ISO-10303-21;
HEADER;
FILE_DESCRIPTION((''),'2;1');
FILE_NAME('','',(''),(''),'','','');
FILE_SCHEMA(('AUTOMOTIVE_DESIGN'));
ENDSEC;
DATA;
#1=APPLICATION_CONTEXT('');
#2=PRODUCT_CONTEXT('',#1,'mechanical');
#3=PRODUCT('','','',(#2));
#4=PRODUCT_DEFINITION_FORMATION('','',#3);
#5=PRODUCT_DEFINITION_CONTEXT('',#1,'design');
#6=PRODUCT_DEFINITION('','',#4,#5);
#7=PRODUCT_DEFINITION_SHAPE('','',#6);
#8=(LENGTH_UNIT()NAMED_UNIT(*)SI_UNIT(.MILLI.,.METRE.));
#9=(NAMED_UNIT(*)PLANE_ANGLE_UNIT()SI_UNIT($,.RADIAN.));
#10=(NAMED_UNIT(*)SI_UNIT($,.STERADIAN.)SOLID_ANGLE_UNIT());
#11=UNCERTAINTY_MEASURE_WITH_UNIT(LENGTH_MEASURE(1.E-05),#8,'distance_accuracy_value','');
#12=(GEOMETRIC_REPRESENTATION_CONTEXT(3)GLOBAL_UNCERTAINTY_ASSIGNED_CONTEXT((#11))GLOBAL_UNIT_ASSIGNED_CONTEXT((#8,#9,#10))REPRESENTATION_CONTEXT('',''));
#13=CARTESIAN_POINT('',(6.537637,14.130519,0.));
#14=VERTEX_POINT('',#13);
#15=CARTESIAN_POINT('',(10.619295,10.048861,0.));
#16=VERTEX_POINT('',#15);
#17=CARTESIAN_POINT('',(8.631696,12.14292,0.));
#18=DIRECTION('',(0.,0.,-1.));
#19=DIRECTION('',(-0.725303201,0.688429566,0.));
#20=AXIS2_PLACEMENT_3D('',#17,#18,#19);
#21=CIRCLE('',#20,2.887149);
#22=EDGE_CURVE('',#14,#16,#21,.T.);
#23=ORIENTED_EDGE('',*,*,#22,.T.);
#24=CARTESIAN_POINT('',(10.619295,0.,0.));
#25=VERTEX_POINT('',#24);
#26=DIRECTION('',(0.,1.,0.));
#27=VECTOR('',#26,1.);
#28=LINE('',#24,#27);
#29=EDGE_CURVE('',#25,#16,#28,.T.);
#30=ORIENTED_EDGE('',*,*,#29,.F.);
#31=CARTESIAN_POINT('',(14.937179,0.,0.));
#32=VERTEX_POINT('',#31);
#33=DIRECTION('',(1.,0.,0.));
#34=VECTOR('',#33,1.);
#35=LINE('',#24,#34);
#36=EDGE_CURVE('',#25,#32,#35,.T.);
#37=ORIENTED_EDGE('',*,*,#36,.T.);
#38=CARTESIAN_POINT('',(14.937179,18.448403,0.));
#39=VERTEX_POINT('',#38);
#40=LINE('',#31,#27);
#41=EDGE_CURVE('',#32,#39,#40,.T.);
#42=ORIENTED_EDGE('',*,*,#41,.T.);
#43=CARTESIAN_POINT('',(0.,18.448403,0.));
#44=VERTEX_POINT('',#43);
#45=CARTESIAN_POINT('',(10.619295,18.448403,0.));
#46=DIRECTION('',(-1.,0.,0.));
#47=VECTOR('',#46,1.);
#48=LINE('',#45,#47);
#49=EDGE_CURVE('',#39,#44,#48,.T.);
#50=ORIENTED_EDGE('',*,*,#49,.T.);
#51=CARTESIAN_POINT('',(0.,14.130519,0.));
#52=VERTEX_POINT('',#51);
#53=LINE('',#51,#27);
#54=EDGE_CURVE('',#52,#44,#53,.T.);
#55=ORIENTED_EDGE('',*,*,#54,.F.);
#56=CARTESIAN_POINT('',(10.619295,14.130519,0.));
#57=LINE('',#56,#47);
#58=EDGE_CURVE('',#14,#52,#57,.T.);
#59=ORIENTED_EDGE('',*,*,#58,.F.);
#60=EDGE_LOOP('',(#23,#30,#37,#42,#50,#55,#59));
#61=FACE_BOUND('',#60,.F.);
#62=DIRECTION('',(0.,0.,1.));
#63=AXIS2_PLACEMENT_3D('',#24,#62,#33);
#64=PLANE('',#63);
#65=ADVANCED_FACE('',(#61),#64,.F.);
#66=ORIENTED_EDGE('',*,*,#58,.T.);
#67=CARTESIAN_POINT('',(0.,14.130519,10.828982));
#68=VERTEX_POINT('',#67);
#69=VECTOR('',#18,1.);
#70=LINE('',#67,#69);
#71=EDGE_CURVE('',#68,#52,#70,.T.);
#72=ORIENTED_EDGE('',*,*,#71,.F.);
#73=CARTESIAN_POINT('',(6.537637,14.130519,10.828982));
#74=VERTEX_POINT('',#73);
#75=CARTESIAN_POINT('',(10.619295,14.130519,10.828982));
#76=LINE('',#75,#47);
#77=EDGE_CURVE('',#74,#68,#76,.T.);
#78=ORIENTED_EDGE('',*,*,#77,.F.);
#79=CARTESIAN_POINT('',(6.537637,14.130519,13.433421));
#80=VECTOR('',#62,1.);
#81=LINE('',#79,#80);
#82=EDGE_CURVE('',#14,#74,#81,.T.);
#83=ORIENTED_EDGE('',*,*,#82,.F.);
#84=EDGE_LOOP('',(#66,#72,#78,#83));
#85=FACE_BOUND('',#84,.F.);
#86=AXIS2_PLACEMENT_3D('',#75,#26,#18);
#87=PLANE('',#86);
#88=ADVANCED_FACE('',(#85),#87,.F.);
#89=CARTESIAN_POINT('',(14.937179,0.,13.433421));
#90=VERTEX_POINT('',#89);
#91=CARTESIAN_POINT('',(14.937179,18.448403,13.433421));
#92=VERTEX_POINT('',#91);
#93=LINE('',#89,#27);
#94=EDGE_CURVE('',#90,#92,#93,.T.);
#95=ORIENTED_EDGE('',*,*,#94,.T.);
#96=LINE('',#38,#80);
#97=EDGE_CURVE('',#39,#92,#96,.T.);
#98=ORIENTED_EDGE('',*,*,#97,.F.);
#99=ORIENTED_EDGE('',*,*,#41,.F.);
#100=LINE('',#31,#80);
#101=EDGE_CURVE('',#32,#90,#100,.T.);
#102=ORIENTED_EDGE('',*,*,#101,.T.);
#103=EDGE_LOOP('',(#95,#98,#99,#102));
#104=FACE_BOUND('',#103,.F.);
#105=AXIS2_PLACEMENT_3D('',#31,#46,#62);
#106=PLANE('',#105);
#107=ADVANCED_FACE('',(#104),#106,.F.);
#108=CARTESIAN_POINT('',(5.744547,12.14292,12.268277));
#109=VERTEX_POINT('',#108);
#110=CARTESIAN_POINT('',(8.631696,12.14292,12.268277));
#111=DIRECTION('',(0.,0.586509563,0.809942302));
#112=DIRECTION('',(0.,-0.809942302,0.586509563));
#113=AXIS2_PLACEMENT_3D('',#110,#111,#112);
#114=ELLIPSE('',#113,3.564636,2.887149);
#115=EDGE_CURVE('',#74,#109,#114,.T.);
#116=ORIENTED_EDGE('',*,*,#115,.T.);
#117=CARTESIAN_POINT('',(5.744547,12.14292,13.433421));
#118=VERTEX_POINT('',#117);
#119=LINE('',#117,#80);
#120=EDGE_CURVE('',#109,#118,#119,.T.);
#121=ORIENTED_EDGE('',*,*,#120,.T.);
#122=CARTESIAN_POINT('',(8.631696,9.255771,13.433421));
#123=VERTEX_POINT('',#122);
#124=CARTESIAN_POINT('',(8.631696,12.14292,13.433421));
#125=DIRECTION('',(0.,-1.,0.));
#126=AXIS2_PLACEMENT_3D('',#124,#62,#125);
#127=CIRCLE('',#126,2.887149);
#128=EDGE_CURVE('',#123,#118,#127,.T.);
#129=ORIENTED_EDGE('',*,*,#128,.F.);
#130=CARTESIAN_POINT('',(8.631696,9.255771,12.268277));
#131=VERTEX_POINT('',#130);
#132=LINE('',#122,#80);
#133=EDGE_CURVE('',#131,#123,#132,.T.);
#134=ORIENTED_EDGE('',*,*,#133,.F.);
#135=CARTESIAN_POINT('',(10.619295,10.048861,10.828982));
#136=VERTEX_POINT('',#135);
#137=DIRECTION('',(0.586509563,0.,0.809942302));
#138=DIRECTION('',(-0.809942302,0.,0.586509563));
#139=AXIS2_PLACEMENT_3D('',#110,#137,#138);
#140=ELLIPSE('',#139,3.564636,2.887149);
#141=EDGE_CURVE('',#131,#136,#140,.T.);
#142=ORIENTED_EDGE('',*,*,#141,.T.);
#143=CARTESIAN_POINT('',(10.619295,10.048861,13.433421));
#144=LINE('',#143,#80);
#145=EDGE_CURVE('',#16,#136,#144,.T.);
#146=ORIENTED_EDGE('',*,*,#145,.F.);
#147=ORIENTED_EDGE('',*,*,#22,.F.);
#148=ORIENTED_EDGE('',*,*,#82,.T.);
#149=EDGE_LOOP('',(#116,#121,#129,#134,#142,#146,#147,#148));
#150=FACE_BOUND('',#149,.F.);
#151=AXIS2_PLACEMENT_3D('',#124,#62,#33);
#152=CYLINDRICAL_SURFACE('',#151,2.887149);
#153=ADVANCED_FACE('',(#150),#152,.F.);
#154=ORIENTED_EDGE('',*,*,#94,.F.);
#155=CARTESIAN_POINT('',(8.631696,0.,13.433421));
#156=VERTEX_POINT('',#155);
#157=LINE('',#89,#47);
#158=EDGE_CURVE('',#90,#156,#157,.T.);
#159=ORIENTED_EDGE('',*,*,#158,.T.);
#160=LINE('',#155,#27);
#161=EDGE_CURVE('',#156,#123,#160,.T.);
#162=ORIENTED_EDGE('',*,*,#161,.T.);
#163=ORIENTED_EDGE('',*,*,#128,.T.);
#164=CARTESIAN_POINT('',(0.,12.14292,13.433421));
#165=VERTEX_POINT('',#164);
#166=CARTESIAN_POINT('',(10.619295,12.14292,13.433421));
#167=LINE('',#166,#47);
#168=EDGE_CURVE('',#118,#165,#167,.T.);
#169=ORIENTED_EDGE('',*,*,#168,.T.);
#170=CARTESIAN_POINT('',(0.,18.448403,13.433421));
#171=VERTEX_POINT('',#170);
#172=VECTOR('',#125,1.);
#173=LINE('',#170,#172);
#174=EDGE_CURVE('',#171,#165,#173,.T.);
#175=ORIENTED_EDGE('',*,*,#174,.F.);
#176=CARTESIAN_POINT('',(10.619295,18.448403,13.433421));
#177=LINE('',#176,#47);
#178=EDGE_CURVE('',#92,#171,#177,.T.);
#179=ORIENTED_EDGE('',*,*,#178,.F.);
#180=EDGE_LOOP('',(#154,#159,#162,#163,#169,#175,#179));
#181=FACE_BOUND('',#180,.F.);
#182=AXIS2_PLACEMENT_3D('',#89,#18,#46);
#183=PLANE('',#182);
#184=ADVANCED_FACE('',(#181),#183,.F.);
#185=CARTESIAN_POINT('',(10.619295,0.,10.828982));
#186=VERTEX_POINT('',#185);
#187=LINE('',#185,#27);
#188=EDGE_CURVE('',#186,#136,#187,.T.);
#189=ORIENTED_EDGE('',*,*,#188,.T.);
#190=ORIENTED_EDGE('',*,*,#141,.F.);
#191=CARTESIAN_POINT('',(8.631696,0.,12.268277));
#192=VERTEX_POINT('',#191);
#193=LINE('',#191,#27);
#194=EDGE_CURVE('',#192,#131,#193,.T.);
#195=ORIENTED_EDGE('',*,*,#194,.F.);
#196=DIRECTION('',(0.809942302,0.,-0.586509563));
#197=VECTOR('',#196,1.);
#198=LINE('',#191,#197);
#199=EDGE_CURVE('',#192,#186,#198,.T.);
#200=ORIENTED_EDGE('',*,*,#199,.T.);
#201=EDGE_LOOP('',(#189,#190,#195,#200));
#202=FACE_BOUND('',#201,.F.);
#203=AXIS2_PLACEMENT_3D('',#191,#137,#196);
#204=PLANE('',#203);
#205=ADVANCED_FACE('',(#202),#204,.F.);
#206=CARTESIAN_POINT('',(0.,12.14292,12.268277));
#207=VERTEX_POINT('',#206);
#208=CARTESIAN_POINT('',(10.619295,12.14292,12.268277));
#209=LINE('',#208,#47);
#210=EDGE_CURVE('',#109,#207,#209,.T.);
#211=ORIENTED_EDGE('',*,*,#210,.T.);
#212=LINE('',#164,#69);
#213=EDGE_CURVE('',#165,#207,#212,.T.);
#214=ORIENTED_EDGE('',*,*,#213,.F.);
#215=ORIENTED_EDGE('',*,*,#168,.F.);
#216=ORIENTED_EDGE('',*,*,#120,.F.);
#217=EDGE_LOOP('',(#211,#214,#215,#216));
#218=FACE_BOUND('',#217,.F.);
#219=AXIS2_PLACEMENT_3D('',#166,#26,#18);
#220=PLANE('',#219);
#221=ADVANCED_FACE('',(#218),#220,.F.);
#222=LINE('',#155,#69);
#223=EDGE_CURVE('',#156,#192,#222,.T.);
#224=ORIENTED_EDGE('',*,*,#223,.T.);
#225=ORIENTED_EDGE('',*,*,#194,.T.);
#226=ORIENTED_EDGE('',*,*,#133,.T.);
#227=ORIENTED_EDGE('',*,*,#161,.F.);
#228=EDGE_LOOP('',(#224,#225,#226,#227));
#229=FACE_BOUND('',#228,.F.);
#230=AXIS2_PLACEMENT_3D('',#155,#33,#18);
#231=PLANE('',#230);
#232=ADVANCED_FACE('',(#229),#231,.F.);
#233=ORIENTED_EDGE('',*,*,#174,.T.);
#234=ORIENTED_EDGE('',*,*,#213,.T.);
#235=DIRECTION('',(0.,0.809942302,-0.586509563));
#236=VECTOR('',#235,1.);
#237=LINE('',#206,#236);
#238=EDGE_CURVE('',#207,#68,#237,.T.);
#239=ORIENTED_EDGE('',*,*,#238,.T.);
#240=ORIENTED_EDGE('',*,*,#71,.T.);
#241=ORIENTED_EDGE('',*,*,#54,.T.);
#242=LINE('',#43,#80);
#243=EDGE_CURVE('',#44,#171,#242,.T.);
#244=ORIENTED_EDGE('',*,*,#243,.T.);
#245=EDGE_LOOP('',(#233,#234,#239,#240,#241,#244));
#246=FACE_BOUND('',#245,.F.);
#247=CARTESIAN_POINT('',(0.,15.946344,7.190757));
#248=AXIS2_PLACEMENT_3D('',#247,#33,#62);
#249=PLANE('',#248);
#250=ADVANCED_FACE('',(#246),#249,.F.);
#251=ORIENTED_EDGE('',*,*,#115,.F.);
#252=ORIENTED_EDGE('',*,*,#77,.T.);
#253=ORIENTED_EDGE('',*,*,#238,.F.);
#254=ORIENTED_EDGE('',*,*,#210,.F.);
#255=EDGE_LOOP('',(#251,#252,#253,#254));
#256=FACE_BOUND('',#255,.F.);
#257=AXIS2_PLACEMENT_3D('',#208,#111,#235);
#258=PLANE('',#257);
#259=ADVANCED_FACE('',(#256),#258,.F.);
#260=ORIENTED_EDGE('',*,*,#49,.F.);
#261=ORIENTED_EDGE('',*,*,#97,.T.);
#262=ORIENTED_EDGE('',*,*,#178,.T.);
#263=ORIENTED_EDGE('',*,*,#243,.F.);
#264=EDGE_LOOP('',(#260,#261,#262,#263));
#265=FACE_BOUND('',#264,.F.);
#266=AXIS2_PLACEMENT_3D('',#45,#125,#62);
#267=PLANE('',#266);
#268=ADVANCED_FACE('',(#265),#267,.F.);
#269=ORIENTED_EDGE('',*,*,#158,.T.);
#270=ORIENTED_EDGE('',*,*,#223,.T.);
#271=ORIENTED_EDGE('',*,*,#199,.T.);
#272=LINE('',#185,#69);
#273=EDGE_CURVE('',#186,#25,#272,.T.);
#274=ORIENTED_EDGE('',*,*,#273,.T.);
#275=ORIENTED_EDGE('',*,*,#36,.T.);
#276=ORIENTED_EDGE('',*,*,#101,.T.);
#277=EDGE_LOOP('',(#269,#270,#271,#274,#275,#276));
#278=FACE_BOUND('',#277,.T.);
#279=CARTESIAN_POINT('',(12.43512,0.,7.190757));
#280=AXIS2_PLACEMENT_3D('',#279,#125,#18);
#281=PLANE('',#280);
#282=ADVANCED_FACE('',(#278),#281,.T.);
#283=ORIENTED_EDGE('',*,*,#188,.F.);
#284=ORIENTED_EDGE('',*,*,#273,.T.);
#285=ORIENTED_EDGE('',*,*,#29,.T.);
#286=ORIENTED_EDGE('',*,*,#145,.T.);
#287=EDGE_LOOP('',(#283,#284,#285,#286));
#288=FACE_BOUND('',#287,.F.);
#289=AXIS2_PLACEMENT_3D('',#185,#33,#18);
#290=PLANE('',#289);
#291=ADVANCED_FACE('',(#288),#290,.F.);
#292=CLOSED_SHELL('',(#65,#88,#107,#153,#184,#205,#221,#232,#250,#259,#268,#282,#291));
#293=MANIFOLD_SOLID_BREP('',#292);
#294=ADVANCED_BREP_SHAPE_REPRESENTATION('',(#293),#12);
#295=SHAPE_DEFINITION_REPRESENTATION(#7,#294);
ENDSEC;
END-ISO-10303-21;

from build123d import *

# Parameters (mm, degrees)
F3_R     = 2.8871491502
F4_DEPTH = 25


with BuildPart() as f2:
    # F2: sweep along a path in F1
    with BuildLine(Plane.XY) as f2_path:
        Line((10.6192948297, 0), (10.6192948297, 14.1305187717))
        Line((10.6192948297, 14.1305187717), (0, 14.1305187717))
    # F0 (on Front) → F2 (sweep)
    with BuildSketch(Plane.XZ):
        Polygon((10.6192948297, 10.8289821073), (10.6192948297, 0), (14.9371791631, 0), (14.9371791631, 13.4334210306), (8.6316959932, 13.4334210306), (8.6316959932, 12.2682768852), align=None)
    sweep(path=f2_path.line, transition=Transition.RIGHT)

    # F3 (on face) → F4 (cut)
    with BuildSketch(Plane.XY.offset(13.4334210306)):
        with Locations((8.6316959932, 12.1429199353)):
            Circle(F3_R)
    extrude(amount=-F4_DEPTH, mode=Mode.SUBTRACT)


solid = f2.part
